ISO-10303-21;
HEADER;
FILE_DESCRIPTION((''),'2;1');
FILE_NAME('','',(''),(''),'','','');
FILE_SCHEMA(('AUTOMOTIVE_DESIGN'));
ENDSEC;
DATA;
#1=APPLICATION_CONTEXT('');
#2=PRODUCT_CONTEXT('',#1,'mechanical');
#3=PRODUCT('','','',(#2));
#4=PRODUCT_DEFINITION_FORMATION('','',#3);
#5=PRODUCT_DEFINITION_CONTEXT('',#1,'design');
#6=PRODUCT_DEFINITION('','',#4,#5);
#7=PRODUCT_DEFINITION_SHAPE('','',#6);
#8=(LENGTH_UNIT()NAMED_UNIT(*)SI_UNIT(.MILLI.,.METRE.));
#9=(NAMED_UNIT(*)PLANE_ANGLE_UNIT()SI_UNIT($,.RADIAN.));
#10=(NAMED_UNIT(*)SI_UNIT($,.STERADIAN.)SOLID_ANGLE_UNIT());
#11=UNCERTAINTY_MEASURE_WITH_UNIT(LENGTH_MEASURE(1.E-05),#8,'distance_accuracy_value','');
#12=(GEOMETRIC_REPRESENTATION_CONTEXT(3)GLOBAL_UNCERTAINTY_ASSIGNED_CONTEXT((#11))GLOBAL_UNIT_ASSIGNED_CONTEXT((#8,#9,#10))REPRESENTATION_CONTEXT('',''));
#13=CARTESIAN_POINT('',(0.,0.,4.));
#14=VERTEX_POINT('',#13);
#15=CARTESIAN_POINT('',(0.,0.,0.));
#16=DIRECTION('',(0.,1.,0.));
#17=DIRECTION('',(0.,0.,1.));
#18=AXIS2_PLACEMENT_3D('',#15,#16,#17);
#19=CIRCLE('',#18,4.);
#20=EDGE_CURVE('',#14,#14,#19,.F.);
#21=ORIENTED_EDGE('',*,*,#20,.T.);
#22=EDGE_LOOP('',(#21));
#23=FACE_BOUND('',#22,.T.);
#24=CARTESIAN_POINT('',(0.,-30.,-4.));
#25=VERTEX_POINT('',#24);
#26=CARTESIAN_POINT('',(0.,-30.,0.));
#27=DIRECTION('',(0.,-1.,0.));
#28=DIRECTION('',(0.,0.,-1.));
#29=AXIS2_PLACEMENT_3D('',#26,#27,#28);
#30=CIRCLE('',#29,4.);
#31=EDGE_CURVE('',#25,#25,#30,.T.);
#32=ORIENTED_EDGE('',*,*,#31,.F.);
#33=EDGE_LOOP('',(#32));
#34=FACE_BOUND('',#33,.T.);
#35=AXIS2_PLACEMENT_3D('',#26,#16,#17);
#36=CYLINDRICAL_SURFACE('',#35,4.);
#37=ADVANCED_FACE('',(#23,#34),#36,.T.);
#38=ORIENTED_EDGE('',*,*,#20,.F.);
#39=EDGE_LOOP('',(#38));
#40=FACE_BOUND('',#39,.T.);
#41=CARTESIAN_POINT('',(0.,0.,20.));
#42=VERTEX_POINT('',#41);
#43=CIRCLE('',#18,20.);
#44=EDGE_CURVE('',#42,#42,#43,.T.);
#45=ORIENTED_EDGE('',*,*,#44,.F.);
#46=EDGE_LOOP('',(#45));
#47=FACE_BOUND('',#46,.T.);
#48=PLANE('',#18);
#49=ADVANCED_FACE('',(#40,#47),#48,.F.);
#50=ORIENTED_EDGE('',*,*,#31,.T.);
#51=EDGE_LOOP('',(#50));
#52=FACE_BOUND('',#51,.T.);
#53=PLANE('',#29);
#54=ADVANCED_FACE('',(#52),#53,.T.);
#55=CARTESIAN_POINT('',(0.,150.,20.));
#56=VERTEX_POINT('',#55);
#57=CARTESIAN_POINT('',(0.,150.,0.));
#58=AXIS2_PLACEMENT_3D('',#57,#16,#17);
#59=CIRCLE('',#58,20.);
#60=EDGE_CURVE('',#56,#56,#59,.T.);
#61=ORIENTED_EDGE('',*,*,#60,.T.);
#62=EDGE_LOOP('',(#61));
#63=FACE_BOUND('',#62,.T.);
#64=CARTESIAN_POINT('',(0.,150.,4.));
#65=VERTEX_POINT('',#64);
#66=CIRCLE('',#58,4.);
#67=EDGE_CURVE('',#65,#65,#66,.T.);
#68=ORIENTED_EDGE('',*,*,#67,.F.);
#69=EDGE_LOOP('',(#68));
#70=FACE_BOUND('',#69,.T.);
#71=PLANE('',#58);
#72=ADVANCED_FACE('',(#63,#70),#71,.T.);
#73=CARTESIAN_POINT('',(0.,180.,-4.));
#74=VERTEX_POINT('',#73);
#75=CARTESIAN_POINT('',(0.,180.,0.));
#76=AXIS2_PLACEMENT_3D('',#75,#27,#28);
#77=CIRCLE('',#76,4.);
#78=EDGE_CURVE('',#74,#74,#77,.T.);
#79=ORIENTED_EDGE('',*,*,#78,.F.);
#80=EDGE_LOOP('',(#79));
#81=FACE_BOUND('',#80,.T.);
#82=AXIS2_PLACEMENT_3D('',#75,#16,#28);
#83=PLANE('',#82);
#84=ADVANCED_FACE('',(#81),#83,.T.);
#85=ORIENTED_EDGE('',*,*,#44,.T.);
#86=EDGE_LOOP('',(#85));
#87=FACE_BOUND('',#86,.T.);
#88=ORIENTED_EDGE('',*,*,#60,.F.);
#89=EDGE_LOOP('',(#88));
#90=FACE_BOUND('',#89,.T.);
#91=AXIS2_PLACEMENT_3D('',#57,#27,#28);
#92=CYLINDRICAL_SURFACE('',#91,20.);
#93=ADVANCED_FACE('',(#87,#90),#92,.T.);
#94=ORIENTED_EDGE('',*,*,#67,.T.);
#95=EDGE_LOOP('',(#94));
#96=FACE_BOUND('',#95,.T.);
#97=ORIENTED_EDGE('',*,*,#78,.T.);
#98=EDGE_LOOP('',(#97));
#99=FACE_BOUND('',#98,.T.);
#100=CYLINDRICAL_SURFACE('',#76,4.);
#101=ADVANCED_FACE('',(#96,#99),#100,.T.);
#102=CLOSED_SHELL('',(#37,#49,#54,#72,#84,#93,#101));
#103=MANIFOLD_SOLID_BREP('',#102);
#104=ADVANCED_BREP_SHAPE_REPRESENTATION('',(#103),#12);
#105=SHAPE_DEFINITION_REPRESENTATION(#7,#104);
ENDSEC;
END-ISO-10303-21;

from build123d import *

# Parameters (mm, degrees)
SKETCH1_R           = 20
BOSS_EXTRUDE1_DEPTH = 150
SKETCH2_R           = 4
BOSS_EXTRUDE2_DEPTH = 30


with BuildPart() as part:
    # Sketch1 → Boss-Extrude1 (new body)
    with BuildSketch(Plane(origin=(0, 0, 0), x_dir=(1, 0, 0), z_dir=(0, 1, 0))):
        with Locations(Location((0, 0, 0), (0, 0, 270))):
            Circle(SKETCH1_R)
    extrude(amount=BOSS_EXTRUDE1_DEPTH)

    # Sketch2 → Boss-Extrude2 (add)
    with BuildSketch(Plane.XZ):
        with Locations(Location((0, 0, 0), (0, 0, 90))):
            Circle(SKETCH2_R)
    boss_extrude2 = extrude(amount=BOSS_EXTRUDE2_DEPTH)

    # Mirror1: Boss-Extrude2 across plane
    add(boss_extrude2.mirror(Plane(origin=(0, 75, 0), x_dir=(0, 0, 1), z_dir=(0, -1, 0))))


solid = part.part
